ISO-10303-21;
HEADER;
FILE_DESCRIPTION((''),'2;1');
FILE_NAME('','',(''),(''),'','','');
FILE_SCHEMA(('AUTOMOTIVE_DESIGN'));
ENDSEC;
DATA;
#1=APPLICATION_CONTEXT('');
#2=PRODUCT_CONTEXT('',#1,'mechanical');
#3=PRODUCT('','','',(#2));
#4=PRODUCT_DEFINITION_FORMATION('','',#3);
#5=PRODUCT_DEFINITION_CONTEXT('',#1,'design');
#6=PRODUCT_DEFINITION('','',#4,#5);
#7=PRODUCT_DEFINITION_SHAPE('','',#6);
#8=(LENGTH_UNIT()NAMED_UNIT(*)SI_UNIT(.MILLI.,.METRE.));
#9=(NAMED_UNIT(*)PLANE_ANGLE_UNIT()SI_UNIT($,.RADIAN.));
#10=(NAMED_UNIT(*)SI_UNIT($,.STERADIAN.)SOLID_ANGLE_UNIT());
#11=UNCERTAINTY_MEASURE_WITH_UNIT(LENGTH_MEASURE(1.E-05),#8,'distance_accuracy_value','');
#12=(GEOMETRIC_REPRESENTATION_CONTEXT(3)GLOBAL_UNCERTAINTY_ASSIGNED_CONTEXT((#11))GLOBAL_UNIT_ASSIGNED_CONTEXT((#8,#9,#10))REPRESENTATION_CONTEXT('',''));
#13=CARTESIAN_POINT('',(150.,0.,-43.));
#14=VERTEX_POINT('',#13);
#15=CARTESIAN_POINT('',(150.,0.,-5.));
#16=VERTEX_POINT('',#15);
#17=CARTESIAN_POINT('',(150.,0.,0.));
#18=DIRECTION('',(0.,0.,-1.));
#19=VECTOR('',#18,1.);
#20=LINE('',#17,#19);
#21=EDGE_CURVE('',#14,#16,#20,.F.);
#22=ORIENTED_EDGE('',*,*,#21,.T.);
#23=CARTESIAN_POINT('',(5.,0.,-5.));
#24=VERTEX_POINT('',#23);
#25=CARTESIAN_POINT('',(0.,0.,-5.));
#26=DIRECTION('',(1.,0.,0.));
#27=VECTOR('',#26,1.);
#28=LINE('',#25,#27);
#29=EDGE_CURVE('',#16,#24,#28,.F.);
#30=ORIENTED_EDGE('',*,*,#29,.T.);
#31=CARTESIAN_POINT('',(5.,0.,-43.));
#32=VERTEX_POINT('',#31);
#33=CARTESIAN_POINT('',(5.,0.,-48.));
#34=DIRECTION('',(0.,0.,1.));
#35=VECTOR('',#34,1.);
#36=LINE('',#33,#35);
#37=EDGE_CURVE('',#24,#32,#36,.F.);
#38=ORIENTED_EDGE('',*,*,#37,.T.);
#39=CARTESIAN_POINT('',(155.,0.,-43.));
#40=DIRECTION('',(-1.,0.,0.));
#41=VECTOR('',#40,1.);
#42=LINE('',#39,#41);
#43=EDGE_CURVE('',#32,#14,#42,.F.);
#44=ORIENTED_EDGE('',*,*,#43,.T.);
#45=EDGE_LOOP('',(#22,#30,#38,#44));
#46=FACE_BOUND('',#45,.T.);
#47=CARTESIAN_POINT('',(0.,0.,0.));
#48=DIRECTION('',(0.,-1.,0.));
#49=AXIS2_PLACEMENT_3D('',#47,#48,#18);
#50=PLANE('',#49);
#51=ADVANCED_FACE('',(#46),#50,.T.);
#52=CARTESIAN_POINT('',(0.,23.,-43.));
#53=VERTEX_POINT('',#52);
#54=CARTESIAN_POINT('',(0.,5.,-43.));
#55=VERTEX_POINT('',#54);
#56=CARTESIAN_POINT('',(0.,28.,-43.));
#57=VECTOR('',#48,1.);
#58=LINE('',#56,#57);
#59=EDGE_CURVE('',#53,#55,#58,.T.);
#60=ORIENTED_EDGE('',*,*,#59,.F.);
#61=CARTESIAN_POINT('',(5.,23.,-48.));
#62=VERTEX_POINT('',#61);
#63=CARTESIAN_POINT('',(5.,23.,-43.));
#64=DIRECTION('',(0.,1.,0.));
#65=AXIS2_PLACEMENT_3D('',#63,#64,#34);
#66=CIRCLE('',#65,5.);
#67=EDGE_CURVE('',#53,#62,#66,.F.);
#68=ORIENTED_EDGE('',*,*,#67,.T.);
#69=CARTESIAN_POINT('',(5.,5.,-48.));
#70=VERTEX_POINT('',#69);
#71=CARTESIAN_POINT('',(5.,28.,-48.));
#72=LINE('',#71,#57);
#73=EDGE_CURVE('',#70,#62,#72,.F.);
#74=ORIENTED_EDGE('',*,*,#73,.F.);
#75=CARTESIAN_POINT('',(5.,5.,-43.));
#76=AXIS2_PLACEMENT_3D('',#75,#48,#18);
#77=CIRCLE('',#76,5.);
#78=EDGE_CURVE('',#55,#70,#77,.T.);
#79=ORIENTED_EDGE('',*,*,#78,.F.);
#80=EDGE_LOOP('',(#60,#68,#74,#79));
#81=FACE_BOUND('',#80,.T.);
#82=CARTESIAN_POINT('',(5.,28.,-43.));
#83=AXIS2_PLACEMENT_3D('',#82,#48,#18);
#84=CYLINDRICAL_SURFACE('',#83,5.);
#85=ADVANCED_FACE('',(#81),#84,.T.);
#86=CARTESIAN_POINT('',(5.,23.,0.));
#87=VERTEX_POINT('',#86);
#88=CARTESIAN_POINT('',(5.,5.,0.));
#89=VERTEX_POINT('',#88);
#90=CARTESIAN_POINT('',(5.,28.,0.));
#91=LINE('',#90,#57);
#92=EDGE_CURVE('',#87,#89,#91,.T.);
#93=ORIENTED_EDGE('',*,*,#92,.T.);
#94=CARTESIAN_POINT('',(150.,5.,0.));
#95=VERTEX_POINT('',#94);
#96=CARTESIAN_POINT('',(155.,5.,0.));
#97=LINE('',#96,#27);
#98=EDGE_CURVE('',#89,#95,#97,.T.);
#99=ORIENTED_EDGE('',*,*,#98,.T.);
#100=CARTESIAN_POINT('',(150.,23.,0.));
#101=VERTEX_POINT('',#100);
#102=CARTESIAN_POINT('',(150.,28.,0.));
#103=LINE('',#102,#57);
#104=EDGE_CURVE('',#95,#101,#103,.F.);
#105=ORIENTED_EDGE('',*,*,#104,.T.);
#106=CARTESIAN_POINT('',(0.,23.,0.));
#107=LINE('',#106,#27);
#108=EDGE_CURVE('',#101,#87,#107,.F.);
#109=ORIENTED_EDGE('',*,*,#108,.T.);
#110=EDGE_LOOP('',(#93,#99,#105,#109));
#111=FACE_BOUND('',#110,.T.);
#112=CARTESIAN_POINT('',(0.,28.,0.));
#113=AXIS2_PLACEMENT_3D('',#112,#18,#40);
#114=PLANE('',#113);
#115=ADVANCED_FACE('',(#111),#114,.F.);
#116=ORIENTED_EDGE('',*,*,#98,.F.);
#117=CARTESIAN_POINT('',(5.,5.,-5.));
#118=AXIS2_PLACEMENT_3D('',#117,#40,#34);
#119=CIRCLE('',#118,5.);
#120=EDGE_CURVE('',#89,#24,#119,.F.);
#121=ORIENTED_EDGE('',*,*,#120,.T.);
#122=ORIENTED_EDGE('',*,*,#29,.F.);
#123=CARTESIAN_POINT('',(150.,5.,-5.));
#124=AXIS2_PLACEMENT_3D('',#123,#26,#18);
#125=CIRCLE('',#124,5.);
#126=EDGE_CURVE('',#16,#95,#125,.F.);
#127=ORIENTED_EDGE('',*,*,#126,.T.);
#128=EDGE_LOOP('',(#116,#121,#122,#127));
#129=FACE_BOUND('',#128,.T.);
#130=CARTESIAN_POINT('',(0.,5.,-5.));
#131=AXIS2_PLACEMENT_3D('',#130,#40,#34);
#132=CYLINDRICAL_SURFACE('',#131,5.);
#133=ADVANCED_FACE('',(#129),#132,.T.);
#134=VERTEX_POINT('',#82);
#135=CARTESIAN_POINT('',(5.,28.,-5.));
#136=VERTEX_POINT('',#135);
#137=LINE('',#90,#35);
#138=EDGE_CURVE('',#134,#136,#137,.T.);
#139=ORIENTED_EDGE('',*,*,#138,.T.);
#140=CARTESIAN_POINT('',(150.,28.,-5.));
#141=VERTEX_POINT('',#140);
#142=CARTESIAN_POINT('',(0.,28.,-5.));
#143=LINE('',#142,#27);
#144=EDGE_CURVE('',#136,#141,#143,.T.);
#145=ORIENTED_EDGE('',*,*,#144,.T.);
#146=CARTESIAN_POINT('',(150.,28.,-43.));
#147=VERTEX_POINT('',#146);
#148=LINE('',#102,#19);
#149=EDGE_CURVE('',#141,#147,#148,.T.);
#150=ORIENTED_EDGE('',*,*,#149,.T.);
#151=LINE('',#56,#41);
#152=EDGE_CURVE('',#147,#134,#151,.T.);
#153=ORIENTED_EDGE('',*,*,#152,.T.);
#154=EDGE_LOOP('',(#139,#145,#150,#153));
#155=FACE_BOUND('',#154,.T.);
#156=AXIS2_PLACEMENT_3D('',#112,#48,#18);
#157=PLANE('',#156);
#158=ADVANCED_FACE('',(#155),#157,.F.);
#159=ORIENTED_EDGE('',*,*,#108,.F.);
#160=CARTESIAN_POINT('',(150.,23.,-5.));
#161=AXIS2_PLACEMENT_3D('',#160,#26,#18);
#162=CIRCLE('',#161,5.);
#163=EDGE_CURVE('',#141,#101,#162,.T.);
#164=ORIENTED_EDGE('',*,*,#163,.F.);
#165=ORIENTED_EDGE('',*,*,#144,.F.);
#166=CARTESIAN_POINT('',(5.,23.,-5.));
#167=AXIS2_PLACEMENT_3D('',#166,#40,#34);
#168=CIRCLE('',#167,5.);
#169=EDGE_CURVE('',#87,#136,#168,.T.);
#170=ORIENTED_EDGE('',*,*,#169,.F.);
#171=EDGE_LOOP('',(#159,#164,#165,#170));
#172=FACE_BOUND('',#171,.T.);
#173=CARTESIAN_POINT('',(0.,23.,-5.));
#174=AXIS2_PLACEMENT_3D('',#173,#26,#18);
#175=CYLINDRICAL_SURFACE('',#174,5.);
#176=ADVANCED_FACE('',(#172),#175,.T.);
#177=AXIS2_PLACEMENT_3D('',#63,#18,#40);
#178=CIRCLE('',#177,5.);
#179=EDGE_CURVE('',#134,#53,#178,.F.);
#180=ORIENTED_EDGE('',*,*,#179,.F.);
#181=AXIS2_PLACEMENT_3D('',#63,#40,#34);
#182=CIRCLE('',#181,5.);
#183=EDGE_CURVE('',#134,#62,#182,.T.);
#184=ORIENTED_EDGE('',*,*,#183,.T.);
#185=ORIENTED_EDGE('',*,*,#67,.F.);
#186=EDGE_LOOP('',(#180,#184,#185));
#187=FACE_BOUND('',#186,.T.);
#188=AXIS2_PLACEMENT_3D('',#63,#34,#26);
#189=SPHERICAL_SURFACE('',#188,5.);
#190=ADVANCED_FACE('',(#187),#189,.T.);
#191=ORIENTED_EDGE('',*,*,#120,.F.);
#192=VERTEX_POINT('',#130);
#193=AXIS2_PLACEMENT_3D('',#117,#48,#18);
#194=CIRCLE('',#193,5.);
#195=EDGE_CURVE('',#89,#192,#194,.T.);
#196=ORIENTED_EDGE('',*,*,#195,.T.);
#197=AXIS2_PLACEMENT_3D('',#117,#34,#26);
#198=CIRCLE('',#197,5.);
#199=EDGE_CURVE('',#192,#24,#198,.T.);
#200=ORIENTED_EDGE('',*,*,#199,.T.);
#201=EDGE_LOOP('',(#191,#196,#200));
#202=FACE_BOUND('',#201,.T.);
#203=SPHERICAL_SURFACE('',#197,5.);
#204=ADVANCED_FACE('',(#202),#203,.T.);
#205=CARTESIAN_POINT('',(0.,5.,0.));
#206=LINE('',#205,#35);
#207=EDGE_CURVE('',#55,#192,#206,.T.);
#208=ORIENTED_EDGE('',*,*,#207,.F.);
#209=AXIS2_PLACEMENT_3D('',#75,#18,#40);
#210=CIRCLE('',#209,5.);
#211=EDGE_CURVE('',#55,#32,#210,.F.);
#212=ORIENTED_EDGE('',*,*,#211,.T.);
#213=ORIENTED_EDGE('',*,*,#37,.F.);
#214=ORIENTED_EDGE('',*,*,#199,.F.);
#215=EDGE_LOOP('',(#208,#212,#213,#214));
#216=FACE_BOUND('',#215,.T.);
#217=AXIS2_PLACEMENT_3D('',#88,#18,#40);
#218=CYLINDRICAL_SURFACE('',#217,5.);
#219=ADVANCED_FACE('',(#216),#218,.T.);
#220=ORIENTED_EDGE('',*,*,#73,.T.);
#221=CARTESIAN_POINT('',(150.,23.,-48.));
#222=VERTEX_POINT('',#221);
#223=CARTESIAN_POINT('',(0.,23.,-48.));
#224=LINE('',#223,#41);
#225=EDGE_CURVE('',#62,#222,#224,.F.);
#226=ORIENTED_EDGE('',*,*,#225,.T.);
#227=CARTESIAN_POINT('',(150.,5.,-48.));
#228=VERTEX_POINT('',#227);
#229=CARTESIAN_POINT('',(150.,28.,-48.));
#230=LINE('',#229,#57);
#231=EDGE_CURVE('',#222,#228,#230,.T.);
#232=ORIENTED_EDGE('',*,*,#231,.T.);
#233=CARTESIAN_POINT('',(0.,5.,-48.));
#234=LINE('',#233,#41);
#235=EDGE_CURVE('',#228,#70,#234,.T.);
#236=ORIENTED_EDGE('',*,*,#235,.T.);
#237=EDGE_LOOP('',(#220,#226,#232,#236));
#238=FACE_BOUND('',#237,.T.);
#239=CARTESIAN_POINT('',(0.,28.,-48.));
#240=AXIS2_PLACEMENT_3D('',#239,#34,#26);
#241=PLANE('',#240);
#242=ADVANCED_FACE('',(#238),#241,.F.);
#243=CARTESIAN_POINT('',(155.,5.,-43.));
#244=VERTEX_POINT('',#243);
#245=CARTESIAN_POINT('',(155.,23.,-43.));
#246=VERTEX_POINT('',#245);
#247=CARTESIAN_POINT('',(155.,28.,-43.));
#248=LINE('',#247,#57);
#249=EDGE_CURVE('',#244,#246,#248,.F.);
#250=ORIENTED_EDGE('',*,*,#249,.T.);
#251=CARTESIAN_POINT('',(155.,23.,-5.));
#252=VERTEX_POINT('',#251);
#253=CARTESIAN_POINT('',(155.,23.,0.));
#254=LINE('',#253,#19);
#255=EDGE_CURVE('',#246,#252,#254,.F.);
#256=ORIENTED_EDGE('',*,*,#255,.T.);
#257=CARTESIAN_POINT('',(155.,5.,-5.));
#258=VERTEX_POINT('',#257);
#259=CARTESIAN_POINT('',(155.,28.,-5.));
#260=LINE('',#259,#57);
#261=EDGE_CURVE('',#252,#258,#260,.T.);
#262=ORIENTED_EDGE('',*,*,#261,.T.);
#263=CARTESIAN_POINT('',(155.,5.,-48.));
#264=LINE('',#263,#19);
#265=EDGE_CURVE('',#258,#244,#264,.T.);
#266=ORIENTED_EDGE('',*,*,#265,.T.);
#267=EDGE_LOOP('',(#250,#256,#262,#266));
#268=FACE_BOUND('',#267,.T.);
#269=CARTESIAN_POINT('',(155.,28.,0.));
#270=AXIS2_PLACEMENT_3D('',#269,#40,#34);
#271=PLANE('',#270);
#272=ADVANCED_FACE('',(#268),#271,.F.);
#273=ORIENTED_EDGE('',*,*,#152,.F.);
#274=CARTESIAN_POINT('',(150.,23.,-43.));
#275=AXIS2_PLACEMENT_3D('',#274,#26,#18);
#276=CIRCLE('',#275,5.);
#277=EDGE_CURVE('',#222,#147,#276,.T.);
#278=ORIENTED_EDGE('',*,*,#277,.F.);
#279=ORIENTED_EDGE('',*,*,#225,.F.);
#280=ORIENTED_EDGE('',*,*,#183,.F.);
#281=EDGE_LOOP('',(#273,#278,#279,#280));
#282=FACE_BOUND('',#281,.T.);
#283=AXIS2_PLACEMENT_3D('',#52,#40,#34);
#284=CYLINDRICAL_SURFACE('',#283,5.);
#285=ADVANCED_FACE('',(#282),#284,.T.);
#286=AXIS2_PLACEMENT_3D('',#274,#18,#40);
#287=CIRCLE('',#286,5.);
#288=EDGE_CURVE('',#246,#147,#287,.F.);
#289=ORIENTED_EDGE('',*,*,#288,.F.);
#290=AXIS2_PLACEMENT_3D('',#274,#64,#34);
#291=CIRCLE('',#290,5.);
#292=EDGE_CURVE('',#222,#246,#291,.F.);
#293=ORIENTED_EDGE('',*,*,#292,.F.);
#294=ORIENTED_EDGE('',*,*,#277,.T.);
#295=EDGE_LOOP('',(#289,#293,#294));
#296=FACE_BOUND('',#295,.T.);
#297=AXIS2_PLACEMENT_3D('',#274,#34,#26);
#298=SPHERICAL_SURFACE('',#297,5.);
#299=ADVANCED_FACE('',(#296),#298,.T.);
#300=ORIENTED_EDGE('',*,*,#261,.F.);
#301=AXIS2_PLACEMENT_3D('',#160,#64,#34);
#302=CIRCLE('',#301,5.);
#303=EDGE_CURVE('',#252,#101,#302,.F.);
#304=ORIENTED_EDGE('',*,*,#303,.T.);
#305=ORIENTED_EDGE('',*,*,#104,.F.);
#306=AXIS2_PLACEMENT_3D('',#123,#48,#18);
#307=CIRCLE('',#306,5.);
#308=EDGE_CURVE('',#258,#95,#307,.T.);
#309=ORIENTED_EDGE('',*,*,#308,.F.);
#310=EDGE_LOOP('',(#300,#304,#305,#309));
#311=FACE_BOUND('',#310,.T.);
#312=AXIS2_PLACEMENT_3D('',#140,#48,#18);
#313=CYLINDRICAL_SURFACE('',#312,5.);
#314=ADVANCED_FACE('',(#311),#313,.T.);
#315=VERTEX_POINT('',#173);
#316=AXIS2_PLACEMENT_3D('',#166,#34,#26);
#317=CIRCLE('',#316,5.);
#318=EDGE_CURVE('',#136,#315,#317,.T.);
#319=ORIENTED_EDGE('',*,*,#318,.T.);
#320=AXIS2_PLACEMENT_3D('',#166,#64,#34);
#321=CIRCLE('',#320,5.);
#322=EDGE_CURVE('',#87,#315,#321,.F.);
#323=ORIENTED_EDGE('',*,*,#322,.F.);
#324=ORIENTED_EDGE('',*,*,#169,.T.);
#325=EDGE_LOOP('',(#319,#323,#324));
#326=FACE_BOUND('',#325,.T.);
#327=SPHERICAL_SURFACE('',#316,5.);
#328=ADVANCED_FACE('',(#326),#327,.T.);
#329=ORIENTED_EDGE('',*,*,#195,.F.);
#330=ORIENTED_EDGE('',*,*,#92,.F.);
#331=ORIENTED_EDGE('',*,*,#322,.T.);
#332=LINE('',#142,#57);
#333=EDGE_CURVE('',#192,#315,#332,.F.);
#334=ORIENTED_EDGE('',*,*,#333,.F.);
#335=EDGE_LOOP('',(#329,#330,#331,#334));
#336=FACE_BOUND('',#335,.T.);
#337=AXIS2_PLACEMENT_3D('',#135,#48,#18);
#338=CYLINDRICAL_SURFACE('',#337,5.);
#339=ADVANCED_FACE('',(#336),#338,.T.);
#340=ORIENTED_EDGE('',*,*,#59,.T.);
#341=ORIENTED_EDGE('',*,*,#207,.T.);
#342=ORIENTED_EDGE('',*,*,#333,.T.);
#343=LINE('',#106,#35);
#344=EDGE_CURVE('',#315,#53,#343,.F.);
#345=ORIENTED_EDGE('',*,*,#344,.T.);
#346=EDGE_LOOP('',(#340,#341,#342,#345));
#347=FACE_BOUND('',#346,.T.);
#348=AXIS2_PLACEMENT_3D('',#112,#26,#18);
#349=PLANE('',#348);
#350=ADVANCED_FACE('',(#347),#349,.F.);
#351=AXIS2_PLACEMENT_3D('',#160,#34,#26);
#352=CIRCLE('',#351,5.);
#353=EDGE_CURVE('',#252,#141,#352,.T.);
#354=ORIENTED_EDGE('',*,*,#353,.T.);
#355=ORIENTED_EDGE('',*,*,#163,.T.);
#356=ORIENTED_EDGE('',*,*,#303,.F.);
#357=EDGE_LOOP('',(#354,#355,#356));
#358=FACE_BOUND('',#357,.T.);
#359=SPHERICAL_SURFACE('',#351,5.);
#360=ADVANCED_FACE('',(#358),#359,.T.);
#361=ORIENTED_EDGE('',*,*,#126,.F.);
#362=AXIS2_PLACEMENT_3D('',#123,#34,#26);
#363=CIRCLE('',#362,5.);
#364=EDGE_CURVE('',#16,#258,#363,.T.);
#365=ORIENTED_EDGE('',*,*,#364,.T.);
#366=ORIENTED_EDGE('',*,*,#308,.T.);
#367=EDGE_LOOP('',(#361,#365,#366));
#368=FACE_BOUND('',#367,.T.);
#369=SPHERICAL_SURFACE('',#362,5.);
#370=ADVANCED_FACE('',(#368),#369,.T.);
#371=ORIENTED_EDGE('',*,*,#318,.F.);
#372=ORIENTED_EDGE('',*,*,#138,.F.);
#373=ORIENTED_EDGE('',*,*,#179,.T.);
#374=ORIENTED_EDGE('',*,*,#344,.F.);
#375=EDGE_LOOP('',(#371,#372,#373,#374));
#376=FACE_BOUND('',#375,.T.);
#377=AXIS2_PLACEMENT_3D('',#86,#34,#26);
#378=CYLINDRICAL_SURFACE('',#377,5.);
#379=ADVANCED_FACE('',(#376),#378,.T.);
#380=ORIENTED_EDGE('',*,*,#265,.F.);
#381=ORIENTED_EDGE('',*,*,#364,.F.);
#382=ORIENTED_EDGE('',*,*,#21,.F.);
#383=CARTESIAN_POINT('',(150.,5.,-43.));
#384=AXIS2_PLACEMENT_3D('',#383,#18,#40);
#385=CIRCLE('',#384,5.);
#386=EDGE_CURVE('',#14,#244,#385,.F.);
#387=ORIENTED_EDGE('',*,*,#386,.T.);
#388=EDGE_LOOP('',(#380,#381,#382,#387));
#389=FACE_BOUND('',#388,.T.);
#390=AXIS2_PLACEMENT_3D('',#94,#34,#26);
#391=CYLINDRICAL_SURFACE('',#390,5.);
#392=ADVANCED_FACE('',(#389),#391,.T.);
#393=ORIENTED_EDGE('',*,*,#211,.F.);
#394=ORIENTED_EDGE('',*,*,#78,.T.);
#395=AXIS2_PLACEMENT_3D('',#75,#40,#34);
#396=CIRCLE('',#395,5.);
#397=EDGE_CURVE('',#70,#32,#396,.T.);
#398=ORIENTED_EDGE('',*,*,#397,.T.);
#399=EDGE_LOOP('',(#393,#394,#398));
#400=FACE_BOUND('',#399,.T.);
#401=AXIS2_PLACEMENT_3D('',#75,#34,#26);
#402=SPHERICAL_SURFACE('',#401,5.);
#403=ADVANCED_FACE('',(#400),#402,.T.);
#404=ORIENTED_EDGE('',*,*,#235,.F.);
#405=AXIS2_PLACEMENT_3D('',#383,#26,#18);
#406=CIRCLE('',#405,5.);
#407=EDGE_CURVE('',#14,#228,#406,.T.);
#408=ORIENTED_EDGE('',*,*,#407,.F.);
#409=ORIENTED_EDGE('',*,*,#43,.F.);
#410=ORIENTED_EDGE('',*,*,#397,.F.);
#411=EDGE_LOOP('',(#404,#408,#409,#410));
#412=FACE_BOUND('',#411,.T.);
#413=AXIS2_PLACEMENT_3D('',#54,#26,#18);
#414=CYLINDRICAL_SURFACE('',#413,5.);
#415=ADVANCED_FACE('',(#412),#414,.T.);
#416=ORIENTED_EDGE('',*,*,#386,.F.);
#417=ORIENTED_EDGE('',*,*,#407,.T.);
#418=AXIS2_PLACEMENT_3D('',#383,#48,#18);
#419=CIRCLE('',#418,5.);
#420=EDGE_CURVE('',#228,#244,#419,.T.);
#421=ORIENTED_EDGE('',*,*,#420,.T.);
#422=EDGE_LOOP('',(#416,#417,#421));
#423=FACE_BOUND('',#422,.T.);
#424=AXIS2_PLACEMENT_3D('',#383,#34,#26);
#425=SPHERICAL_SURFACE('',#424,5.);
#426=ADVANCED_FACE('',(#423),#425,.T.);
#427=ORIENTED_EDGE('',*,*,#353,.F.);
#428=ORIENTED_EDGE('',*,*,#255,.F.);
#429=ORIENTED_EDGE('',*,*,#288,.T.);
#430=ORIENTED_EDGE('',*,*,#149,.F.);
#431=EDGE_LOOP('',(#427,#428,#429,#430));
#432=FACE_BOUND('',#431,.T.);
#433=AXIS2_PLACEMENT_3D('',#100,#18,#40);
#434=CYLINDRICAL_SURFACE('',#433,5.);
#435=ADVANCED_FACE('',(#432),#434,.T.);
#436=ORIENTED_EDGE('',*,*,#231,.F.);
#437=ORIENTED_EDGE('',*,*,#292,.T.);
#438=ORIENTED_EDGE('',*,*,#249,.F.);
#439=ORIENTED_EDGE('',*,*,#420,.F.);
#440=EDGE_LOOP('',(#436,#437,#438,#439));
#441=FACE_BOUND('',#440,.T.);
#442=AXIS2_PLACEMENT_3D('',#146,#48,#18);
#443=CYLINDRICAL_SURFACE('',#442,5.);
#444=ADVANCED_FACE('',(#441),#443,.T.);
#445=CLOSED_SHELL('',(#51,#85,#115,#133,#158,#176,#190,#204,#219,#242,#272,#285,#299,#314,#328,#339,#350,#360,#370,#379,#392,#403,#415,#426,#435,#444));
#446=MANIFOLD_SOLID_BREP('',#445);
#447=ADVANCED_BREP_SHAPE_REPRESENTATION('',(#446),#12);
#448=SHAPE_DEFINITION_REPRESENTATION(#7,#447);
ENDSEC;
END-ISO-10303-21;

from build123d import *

# Parameters (mm, degrees)
SKIZZE1_W                       = 155
SKIZZE1_H                       = 48
AUFSATZ_LINEAR_AUSTRAGEN1_DEPTH = 28
VERRUNDUNG1_R                   = 5


with BuildPart() as part:
    # Skizze1 → Aufsatz-Linear austragen1 (new body)
    with BuildSketch(Plane(origin=(0, 0, 0), x_dir=(1, 0, 0), z_dir=(0, 1, 0))):
        with Locations((77.5, 24)):
            Rectangle(SKIZZE1_W, SKIZZE1_H)
    extrude(amount=AUFSATZ_LINEAR_AUSTRAGEN1_DEPTH)

    # Verrundung1
    verrundung1_edges = [part.edges().sort_by_distance(p)[0] for p in [
        (155, 28, -24),
        (77.5, 28, -48),
        (0, 28, -24),
        (77.5, 0, -48),
        (155, 0, -24),
        (77.5, 0, 0),
        (0, 0, -24),
        (0, 14, -48),
        (155, 14, -48),
        (155, 14, 0),
        (0, 14, 0),
        (77.5, 28, 0),
    ]]
    fillet(verrundung1_edges, radius=VERRUNDUNG1_R)


solid = part.part
